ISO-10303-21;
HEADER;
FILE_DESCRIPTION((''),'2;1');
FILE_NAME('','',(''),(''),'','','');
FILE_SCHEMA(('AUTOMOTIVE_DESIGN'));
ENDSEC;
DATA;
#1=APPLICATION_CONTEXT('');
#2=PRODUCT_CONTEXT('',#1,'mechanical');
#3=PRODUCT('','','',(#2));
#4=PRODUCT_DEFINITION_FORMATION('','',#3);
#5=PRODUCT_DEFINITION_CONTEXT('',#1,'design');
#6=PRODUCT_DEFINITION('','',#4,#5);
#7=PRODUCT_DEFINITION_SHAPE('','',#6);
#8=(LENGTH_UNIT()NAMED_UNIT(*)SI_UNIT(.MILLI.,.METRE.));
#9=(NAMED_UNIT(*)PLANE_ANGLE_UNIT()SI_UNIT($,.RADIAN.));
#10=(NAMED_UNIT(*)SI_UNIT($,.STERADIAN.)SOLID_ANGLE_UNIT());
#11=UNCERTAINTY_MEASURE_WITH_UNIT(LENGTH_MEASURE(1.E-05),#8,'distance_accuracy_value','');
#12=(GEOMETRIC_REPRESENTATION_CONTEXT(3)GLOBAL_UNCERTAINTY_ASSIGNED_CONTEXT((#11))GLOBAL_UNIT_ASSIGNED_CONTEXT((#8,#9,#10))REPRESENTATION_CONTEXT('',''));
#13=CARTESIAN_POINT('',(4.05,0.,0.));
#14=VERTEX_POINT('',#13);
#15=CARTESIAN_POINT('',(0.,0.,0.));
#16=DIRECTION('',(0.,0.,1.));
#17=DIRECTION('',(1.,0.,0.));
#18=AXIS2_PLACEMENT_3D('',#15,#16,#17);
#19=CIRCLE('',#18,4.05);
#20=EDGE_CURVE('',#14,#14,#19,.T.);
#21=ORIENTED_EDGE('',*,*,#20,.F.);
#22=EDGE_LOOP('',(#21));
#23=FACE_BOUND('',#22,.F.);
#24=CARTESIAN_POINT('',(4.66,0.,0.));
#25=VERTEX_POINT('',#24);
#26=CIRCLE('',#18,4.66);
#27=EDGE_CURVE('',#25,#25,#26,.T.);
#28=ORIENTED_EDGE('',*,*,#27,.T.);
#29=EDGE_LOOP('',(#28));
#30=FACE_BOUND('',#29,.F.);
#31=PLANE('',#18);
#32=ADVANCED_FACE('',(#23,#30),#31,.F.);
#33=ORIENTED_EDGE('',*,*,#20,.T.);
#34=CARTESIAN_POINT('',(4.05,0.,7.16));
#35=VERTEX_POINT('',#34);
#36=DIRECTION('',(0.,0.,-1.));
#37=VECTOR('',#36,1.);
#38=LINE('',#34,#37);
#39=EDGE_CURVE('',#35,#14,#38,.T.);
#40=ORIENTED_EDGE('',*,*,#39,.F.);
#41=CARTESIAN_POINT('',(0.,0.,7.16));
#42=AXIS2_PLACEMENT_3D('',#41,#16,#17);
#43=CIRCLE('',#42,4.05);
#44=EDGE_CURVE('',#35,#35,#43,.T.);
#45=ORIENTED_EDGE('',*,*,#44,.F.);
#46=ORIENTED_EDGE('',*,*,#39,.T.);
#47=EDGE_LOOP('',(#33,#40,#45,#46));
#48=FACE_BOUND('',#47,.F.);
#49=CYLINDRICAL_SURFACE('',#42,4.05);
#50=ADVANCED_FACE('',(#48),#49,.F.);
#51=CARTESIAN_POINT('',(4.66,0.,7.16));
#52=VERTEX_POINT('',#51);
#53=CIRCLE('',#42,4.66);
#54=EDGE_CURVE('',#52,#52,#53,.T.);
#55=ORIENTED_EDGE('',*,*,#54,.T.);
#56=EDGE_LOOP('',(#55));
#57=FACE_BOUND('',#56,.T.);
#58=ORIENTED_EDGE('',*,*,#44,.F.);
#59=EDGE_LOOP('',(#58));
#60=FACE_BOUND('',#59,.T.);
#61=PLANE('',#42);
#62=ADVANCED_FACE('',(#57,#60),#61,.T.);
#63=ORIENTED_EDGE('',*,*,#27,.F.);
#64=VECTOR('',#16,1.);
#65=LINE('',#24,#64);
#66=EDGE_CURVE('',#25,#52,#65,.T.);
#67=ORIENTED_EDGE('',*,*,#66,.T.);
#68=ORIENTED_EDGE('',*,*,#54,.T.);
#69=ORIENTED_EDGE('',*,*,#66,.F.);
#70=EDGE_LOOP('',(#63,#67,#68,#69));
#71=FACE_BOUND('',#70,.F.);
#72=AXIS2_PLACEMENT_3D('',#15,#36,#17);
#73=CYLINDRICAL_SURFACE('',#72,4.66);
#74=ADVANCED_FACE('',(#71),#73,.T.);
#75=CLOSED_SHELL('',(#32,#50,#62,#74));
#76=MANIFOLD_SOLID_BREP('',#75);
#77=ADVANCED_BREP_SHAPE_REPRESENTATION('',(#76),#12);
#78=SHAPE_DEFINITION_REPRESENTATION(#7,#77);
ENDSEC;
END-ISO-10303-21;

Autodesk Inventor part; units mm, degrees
ref_plane "YZ Plane" through (0, 0, 0) normal (1, 0, 0) x (0, 1, 0)
ref_plane "XZ Plane" through (0, 0, 0) normal (0, 1, 0) x (-1, 0, 0)
ref_plane "XY Plane" through (0, 0, 0) normal (0, 0, 1) x (1, 0, 0)
sketch "Sketch1" plane through (0, 0, 0) normal (0, 0, 1) x (1, 0, 0)
  circle A0 centre (0, 0) radius 4.66
  dimension "d0" = 9.32
extrude "Extrusion1" add sketch "Sketch1" along normal blind 7.16
sketch "Sketch2" plane through (0, 0, 7.16) normal (0, 0, 1) x (1, 0, 0)
  circle A0 centre (0, 0) radius 4.05
  dimension "d3" = 8.1
extrude "Extrusion2" cut sketch "Sketch2" against normal through all
properties part number "ANALYSIS_2"
